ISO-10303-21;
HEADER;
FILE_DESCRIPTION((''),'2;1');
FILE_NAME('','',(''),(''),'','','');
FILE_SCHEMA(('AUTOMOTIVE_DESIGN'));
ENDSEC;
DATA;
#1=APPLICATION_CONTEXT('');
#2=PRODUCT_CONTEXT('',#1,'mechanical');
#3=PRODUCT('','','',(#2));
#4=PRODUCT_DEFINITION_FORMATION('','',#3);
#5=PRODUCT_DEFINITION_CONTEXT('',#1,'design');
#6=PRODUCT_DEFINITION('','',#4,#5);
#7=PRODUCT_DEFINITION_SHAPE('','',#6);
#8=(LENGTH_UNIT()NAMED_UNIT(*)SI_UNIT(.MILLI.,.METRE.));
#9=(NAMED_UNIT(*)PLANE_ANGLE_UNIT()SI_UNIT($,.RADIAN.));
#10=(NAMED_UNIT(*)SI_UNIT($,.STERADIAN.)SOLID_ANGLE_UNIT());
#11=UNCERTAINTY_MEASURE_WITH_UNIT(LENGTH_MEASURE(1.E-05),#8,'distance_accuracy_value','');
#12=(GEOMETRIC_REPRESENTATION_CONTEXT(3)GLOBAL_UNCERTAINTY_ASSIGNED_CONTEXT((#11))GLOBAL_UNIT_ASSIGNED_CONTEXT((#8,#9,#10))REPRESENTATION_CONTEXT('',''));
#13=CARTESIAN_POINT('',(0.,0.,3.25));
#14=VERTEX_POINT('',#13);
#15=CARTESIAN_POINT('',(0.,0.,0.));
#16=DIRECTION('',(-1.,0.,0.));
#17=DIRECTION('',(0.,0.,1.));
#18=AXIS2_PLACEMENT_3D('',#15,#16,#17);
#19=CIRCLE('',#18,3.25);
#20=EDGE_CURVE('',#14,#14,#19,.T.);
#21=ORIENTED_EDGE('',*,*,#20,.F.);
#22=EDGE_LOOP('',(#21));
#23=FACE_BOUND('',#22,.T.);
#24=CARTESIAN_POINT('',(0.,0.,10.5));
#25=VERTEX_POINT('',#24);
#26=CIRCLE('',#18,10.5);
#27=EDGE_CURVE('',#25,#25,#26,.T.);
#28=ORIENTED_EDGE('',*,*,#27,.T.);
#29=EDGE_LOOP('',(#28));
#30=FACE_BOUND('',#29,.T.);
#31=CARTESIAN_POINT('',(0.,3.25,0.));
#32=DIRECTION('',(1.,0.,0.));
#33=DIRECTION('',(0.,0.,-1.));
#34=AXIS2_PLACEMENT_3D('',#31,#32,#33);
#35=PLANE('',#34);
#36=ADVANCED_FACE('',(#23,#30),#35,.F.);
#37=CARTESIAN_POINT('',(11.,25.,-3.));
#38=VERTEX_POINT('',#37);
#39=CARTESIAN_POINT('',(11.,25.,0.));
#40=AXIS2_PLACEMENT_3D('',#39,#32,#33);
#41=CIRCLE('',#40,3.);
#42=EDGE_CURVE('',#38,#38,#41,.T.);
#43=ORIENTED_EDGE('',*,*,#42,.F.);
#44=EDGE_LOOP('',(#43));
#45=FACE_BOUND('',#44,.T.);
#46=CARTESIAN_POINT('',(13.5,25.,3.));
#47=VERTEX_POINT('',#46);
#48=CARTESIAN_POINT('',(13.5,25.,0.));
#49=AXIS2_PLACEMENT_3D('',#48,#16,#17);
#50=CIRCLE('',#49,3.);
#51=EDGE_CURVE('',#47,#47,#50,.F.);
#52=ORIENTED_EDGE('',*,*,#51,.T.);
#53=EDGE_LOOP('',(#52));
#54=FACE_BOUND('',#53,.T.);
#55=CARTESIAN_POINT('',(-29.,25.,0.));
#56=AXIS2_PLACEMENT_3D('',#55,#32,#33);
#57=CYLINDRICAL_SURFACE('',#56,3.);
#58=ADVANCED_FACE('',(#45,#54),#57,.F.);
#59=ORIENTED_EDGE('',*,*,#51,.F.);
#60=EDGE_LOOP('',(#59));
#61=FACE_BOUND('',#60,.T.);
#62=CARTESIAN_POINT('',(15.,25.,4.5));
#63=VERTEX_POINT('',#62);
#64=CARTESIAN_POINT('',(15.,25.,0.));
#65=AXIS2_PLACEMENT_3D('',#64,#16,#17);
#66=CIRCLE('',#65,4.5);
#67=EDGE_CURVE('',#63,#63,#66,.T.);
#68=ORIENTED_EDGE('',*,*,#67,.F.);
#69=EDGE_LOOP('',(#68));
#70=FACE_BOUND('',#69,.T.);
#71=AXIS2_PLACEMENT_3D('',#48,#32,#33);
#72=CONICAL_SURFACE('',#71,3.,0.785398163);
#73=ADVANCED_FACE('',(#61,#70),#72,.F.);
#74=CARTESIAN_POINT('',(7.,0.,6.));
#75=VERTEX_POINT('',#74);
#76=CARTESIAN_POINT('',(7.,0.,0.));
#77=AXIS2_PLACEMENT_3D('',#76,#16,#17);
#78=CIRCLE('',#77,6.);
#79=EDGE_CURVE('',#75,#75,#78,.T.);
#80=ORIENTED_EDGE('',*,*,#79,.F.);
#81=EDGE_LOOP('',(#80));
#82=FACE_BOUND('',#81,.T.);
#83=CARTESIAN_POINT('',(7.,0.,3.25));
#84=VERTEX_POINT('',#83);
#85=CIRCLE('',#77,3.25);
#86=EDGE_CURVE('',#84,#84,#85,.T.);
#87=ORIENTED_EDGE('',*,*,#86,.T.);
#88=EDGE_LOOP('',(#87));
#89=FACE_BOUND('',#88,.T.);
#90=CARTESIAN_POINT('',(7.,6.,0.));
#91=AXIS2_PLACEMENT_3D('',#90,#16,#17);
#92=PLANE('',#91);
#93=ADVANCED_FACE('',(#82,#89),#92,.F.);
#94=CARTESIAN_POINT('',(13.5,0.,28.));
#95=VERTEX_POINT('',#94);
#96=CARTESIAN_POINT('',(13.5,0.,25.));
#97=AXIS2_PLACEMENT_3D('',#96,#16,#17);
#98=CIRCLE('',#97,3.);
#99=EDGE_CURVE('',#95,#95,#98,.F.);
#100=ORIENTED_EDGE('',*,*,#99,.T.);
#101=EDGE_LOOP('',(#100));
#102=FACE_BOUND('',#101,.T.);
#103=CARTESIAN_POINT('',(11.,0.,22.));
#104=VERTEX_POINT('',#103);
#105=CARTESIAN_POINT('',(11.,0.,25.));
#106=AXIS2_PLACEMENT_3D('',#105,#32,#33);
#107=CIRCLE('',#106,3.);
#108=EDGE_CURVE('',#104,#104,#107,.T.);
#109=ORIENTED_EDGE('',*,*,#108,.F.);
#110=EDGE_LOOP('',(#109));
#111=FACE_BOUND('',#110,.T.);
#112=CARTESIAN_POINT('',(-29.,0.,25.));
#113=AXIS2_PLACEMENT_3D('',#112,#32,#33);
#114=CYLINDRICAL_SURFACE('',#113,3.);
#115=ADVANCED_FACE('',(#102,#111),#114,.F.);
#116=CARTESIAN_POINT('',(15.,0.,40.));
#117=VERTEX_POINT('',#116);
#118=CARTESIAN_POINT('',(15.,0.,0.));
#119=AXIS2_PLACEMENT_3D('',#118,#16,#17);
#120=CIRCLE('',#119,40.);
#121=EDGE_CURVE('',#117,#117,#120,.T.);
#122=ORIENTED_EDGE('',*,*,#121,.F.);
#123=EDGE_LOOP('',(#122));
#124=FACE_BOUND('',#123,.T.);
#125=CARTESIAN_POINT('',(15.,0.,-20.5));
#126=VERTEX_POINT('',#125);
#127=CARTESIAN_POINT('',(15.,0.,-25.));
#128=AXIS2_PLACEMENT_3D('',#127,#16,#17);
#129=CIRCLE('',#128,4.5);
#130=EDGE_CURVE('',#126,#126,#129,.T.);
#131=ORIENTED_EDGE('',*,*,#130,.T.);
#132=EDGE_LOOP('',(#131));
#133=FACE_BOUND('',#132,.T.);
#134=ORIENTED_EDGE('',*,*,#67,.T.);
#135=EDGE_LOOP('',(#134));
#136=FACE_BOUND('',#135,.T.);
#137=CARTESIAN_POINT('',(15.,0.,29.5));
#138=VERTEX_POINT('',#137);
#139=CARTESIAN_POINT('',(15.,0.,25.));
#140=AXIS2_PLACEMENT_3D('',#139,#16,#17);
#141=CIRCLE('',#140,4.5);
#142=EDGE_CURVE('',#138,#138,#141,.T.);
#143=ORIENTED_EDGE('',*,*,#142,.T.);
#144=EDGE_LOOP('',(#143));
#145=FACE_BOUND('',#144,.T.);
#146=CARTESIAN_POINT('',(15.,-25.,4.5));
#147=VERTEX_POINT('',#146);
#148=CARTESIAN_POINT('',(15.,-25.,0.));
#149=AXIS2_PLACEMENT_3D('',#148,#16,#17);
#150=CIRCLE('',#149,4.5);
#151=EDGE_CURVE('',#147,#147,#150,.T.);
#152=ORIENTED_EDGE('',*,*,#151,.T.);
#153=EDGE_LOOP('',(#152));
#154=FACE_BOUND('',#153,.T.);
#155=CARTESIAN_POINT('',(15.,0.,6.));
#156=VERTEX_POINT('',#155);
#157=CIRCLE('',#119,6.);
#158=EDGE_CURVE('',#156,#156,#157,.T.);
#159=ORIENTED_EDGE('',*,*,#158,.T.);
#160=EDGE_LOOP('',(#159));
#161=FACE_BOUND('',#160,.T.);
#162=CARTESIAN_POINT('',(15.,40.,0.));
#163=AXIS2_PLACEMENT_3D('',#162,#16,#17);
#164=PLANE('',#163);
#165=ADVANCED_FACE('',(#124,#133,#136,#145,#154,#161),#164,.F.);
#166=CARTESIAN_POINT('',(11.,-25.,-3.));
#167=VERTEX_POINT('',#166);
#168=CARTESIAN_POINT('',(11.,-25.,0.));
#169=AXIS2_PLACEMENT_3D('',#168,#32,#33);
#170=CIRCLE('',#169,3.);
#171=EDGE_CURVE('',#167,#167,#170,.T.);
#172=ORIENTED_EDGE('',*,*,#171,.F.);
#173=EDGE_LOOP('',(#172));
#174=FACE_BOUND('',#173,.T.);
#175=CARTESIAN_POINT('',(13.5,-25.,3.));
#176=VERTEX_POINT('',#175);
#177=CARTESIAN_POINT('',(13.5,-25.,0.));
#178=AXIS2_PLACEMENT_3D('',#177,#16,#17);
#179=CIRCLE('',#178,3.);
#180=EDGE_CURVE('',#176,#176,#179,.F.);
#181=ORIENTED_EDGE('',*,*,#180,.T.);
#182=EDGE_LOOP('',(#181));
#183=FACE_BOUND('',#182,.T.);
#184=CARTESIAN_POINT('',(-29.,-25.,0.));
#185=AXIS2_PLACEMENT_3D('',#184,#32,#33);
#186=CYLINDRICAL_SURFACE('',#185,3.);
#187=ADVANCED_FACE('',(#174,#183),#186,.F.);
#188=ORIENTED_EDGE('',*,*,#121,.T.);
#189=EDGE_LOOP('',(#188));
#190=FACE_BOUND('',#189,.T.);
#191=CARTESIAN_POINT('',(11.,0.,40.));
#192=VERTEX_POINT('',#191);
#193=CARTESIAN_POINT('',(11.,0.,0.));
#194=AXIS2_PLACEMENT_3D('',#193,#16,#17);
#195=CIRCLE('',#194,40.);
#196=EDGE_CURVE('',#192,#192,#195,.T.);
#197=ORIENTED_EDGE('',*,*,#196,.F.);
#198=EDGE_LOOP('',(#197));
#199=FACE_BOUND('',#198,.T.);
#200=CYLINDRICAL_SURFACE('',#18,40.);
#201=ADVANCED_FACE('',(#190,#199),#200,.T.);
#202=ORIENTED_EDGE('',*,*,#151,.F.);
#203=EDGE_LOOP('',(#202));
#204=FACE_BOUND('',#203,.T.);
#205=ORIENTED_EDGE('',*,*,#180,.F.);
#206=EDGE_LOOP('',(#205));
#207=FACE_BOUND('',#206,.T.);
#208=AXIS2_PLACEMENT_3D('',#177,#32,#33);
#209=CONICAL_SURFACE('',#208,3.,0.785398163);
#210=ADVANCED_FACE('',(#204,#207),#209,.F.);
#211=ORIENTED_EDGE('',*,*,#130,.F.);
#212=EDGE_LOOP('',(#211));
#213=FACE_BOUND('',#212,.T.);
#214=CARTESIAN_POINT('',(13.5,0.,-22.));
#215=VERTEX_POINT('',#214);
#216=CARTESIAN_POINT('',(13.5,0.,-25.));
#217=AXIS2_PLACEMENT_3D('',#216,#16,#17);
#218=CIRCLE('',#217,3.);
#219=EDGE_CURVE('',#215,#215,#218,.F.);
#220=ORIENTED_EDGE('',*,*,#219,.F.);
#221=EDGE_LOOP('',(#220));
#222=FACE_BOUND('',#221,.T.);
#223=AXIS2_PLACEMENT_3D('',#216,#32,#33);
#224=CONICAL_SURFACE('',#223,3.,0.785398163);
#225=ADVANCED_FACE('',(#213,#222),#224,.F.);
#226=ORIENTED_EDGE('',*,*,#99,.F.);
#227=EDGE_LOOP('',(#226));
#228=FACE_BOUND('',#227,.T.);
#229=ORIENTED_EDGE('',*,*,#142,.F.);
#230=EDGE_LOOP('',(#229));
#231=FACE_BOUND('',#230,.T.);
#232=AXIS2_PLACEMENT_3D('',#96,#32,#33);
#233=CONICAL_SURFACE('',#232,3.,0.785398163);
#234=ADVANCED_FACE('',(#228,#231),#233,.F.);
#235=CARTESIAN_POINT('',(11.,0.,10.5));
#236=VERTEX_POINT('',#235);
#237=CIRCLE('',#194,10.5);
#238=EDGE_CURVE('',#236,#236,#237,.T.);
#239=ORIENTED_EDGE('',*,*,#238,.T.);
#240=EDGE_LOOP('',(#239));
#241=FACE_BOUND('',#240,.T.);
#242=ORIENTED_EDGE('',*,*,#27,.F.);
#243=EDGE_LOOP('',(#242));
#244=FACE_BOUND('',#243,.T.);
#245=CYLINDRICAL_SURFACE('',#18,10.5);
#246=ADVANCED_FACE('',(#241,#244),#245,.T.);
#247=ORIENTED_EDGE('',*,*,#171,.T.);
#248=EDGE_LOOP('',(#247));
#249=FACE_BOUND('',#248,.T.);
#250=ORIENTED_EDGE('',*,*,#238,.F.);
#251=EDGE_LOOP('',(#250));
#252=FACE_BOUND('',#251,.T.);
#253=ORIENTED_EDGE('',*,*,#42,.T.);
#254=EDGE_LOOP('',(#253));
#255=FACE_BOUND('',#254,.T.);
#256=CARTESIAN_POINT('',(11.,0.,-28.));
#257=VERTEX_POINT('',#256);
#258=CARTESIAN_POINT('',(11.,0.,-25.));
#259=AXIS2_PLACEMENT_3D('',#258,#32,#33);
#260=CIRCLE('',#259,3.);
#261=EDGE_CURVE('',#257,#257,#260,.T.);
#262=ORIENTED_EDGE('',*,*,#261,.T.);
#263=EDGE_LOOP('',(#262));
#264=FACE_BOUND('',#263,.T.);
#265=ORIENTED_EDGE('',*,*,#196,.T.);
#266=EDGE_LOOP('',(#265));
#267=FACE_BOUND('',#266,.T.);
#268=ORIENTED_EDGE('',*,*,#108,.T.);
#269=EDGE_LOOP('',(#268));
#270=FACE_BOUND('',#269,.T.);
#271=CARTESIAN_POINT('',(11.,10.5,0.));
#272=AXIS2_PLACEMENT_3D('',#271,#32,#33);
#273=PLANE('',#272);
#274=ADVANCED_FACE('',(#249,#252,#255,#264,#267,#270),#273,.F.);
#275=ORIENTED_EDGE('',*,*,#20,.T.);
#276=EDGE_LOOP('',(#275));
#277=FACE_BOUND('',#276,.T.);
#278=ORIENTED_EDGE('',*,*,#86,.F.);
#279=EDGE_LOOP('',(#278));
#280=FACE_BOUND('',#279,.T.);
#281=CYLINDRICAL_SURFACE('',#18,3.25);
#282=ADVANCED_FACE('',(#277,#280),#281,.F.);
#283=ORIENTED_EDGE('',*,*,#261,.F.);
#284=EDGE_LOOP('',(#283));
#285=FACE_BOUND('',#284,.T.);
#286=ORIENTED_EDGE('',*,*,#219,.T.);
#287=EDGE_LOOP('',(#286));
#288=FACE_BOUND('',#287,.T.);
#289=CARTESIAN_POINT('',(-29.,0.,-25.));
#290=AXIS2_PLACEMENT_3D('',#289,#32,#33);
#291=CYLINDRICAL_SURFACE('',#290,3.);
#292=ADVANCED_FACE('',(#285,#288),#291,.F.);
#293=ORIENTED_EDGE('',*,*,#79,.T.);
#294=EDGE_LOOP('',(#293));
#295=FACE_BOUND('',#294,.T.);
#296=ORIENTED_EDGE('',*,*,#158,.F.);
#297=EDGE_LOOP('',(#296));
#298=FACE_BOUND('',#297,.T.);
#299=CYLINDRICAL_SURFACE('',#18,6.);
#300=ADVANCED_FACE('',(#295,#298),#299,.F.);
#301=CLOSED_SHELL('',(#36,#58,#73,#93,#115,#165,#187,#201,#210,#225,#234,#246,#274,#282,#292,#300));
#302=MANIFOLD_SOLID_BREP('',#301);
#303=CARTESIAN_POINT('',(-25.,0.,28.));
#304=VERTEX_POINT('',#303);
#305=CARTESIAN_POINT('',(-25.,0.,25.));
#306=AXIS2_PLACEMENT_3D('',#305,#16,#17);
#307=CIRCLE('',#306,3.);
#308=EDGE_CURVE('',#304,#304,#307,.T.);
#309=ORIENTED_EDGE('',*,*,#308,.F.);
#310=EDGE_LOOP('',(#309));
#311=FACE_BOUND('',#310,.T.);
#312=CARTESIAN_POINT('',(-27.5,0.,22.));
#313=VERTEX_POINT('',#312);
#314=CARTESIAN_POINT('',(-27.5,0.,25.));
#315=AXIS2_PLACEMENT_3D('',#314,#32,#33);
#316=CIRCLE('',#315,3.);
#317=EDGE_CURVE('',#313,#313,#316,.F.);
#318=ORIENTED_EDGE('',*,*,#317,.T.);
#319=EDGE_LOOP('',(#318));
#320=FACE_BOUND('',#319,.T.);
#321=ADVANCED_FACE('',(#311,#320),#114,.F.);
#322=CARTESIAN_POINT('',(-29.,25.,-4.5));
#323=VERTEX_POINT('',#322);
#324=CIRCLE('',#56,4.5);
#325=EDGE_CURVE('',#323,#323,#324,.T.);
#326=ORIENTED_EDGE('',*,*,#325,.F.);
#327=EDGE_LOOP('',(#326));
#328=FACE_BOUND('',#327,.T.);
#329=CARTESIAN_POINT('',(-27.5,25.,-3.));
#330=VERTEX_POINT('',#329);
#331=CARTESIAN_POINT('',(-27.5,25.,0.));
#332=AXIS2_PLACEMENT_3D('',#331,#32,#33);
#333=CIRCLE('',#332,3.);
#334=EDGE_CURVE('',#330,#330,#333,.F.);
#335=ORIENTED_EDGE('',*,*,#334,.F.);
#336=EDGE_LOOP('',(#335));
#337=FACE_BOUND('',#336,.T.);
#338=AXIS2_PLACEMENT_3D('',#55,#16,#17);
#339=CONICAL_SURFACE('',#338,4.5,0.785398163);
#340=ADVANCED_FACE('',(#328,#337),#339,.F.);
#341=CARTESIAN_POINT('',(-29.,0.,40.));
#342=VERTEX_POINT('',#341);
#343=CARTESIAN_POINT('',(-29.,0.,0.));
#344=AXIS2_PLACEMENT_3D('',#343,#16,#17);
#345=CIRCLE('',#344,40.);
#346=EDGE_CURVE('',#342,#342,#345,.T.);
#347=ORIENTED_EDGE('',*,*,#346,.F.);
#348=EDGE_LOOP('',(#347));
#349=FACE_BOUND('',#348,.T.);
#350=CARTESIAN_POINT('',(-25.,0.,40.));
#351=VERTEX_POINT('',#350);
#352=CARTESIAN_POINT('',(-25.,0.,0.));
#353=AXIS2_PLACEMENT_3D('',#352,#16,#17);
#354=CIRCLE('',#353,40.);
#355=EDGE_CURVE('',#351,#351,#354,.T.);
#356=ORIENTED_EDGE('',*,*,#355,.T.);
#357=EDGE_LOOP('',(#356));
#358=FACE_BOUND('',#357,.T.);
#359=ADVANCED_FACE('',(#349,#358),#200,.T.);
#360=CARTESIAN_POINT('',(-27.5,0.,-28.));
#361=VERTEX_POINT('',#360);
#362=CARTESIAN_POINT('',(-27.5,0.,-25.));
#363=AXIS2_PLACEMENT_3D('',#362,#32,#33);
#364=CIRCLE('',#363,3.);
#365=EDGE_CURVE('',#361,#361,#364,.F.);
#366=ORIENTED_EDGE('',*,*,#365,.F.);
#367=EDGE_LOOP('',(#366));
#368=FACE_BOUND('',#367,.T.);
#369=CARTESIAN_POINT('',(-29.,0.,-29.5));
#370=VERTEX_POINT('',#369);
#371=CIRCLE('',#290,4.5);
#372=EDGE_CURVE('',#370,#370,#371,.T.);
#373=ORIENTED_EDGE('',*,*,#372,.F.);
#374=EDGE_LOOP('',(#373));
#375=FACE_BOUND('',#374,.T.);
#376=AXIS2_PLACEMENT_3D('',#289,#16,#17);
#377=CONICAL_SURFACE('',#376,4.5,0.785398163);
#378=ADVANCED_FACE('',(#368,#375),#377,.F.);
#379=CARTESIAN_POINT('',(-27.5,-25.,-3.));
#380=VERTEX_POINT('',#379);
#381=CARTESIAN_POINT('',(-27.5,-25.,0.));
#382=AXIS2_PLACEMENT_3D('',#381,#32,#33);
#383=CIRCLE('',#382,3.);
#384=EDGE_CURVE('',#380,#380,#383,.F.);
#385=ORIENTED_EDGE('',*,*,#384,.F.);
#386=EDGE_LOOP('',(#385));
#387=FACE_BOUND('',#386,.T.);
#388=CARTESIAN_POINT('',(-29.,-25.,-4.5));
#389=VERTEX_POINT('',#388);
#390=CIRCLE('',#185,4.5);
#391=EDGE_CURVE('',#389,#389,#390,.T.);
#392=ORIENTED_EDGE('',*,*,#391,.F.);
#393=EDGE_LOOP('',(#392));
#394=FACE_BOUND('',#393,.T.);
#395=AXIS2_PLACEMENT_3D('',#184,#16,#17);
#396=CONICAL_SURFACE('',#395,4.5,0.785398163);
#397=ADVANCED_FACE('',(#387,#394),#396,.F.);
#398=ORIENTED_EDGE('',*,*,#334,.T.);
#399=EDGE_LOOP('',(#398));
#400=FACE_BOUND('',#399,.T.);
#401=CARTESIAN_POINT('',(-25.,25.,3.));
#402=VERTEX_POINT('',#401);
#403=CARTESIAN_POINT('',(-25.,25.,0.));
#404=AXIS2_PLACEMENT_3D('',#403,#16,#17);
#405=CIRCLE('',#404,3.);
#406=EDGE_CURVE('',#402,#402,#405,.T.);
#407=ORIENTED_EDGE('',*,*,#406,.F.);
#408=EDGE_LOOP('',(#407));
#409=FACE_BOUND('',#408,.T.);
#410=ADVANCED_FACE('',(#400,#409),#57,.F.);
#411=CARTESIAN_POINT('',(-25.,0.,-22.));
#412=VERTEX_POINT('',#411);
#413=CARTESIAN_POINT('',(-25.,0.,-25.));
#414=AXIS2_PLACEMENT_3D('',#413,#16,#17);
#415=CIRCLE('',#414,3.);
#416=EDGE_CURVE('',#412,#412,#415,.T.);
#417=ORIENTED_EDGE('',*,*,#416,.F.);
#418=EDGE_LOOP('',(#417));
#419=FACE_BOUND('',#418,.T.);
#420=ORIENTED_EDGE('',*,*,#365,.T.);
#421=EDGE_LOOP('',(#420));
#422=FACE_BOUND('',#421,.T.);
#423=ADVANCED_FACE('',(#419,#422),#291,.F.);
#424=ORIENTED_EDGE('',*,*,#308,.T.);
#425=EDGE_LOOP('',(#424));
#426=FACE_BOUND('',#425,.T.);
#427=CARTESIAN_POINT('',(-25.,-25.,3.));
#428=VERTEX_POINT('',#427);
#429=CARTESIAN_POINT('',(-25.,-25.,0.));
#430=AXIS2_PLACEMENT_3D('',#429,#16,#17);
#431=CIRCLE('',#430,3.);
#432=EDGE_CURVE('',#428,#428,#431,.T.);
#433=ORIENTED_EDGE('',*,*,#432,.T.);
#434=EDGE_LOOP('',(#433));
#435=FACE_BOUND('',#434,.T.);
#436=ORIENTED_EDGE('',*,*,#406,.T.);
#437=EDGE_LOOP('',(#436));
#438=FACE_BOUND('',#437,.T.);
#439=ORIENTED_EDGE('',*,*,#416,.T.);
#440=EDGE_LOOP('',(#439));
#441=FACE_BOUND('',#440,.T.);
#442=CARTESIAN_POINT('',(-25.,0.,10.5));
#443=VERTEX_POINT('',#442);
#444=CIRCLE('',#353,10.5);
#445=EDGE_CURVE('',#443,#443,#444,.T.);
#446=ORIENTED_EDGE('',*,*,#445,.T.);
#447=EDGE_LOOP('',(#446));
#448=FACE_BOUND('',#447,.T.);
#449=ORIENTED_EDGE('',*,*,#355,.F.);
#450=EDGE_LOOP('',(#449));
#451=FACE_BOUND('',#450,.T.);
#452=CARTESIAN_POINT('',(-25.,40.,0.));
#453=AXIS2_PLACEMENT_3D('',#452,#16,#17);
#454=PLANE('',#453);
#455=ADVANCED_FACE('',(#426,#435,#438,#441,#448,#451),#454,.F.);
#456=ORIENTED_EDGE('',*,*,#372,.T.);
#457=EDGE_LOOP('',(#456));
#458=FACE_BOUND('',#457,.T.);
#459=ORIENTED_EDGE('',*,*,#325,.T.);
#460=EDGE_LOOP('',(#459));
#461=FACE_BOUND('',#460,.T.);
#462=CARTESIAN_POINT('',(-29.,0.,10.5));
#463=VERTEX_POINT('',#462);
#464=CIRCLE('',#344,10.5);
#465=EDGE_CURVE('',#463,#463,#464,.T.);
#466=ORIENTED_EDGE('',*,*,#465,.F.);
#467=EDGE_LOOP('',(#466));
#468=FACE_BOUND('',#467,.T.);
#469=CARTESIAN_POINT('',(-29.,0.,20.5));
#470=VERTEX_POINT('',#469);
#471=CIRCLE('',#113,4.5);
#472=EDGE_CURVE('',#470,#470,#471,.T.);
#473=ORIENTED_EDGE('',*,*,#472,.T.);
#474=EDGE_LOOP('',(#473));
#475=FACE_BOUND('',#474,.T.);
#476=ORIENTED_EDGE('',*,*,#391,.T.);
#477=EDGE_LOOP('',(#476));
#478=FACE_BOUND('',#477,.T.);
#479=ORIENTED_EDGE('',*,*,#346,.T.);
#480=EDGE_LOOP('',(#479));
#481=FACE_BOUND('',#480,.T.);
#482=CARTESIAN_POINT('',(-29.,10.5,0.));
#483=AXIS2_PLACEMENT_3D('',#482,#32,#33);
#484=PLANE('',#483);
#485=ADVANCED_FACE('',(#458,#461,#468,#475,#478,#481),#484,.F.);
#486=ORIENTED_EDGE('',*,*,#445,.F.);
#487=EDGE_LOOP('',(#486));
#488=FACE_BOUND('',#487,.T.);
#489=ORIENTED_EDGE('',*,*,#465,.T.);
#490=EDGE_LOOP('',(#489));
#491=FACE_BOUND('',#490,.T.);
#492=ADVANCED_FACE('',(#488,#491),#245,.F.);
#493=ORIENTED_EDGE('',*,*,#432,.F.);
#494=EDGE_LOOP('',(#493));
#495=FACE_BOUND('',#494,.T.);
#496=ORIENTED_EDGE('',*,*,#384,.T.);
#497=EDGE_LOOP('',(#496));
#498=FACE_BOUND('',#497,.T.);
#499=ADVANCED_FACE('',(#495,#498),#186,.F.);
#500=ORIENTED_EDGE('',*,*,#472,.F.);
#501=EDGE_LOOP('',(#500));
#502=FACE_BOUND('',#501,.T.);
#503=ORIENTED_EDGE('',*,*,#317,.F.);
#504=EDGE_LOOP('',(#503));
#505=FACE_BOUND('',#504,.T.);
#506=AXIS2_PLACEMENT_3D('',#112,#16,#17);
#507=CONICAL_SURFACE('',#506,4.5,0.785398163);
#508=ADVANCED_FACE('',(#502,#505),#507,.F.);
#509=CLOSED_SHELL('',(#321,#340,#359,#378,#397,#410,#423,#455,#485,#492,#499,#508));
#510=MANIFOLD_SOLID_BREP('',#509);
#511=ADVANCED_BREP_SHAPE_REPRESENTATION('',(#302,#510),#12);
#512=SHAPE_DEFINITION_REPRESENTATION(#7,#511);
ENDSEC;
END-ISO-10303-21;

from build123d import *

# Parameters (mm, degrees)
SKETCH1_W          = 4
SKETCH1_H          = 29.5
SKETCH2_R          = 3
CUT_EXTRUDE1_DEPTH = 72.665891469
CHAMFER1_SIZE      = 1.5
CHAMFER2_SIZE      = 1.5


with BuildPart() as part:
    # Sketch1 → Revolve1 (revolve)
    with BuildSketch(Plane.XY, mode=Mode.PRIVATE) as revolve1_sk:
        Polygon((0, 10.5), (11, 10.5), (11, 40), (15, 40), (15, 6), (7, 6), (7, 3.25), (0, 3.25), align=None)
        with Locations((-27, 25.25)):
            Rectangle(SKETCH1_W, SKETCH1_H)
    revolve(revolve1_sk.sketch.rotate(Axis((0, 0, 0), (1, 0, 0)), 90), axis=Axis((0, 0, 0), (1, 0, 0)))

    # Sketch2 → Cut-Extrude1 (cut, through all)
    with BuildSketch(Plane(origin=(15, 0, 0), x_dir=(0, 0, -1), z_dir=(1, 0, 0))):
        with Locations((25, 0)):
            Circle(SKETCH2_R)
        with Locations((0, -25)):
            Circle(SKETCH2_R)
        with Locations((-25, 0)):
            Circle(SKETCH2_R)
        with Locations((0, 25)):
            Circle(SKETCH2_R)
    extrude(amount=-CUT_EXTRUDE1_DEPTH, mode=Mode.SUBTRACT)

    # Chamfer1
    chamfer1_edges = [part.edges().sort_by_distance(p)[0] for p in [
        (15, 0, -22),
        (15, -25, 3),
        (15, 0, 28),
        (15, 25, 3),
    ]]
    chamfer(chamfer1_edges, length=CHAMFER1_SIZE)

    # Chamfer2
    chamfer2_edges = [part.edges().sort_by_distance(p)[0] for p in [
        (-29, 0, -22),
        (-29, -25, 3),
        (-29, 0, 28),
        (-29, 25, 3),
    ]]
    chamfer(chamfer2_edges, length=CHAMFER2_SIZE)


solid = part.part
